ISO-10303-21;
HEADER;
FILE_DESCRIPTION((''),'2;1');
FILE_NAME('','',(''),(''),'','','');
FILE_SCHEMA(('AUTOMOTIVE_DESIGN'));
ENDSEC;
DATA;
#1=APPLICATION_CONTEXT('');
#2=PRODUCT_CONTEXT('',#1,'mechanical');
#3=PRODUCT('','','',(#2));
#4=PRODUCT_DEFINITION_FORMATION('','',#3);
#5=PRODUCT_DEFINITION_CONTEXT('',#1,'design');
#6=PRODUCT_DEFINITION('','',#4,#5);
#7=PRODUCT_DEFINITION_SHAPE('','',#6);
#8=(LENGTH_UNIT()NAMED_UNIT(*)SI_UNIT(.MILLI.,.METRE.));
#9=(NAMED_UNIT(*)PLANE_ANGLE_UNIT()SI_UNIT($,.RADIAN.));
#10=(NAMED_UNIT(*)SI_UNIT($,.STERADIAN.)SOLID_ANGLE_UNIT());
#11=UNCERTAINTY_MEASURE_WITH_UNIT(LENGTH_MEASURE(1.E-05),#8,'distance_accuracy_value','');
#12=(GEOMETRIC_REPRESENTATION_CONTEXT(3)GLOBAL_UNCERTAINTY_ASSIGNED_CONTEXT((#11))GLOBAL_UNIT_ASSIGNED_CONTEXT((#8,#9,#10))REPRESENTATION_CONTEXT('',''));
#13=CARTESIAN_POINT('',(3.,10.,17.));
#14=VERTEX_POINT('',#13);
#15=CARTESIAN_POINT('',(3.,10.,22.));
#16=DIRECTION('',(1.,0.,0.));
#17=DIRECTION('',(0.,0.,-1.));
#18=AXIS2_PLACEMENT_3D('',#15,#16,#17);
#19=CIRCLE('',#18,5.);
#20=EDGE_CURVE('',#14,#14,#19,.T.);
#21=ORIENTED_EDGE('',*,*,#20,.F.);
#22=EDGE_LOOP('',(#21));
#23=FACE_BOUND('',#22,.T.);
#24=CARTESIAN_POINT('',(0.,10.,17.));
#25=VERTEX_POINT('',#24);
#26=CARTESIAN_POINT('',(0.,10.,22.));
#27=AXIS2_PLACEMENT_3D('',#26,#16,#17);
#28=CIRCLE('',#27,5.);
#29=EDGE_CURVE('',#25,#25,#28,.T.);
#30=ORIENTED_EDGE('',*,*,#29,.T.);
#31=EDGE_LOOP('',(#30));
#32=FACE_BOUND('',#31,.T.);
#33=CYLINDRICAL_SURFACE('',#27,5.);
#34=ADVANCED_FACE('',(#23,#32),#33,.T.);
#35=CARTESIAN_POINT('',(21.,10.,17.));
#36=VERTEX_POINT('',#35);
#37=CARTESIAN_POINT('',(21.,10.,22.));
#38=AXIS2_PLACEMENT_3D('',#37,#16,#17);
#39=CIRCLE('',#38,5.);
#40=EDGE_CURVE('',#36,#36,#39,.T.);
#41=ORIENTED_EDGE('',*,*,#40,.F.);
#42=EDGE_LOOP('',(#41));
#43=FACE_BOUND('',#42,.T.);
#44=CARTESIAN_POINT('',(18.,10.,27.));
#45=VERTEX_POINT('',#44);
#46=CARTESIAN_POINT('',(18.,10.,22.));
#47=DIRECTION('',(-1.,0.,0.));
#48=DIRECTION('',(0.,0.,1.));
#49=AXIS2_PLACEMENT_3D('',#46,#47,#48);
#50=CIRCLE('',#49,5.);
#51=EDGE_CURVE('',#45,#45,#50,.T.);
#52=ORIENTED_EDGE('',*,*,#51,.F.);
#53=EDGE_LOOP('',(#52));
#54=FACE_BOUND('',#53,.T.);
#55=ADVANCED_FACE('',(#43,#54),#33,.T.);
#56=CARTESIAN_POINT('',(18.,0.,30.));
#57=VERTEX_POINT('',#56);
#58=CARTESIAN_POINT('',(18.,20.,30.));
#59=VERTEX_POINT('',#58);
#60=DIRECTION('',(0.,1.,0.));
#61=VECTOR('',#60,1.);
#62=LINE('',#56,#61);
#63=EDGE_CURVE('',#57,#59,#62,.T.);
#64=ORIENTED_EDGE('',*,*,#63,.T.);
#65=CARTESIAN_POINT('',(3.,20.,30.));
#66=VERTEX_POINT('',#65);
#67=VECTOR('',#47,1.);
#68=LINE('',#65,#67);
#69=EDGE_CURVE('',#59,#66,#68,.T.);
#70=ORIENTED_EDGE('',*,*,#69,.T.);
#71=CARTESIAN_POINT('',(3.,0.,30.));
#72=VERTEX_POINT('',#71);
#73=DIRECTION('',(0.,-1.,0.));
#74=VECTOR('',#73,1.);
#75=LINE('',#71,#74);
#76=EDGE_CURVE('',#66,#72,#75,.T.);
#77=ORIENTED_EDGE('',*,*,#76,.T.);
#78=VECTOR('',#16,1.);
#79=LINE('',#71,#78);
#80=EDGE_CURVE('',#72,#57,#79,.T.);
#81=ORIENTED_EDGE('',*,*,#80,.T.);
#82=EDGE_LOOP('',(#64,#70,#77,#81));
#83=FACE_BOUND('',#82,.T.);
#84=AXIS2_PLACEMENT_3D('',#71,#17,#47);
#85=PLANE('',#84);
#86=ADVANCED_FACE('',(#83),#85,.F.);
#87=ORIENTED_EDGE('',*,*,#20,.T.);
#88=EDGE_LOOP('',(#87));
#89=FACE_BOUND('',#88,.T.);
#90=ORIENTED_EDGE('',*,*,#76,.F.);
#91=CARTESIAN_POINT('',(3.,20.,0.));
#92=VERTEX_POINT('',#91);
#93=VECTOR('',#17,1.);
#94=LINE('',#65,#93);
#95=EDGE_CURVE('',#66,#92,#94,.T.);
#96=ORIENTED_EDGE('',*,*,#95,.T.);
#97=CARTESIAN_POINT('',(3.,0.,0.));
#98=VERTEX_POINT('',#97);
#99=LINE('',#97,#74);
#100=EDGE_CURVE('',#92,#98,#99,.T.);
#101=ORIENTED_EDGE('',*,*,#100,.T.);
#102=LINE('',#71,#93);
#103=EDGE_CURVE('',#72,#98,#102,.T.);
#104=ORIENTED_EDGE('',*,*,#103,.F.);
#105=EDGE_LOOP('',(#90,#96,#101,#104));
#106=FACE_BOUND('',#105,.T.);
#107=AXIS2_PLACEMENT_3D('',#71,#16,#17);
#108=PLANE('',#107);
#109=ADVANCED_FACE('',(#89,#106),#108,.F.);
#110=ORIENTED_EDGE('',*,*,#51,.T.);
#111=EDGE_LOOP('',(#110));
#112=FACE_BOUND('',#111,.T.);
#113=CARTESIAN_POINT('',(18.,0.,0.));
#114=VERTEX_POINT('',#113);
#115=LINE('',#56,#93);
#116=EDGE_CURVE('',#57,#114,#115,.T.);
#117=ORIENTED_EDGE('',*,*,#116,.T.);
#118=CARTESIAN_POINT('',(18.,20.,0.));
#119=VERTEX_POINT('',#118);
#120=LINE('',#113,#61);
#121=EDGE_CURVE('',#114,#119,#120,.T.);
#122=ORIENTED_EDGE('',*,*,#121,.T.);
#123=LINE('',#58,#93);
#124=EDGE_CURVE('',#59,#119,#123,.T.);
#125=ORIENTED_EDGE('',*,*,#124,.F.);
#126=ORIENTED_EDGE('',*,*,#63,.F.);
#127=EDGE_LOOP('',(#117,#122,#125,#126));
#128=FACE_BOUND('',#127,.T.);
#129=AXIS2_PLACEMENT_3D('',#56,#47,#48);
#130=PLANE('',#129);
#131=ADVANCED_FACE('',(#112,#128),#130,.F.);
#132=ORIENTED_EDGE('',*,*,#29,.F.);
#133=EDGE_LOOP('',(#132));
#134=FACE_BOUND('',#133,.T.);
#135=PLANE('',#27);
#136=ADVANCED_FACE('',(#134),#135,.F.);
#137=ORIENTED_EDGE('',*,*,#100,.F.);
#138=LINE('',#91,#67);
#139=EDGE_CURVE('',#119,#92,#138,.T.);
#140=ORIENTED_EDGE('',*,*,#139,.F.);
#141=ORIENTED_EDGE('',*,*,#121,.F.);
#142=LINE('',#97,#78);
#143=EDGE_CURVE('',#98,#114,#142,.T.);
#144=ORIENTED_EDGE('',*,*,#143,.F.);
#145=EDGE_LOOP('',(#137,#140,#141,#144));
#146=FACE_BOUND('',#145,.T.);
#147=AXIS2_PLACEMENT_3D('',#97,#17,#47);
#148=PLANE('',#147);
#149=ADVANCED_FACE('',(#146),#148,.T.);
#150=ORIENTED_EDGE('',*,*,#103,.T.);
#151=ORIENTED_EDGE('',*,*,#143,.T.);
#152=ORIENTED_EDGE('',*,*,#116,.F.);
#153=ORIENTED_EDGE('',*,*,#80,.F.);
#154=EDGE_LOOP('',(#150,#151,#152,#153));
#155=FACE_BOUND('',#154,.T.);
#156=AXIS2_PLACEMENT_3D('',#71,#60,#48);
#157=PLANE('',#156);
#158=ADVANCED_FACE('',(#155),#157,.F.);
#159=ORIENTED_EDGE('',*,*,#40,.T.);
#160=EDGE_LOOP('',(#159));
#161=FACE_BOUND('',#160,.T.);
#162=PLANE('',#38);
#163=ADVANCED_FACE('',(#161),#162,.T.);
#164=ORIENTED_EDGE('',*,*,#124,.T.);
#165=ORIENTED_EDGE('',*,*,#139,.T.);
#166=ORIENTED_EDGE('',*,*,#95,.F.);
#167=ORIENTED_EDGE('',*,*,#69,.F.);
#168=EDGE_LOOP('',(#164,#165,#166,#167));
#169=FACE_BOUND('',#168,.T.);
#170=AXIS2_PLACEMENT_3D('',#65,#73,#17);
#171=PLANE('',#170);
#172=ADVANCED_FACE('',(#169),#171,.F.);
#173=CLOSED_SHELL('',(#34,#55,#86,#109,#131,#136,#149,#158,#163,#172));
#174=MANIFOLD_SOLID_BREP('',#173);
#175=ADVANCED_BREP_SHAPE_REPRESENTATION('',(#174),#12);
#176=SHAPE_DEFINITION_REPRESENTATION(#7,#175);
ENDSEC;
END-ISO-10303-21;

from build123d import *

# Parameters (mm, degrees)
SKIZZE1_W                             = 15
SKIZZE1_H                             = 20
AUFSATZ_LINEAR_AUSTRAGEN8_DEPTH       = 30
AUFSATZ_LINEAR_AUSTRAGEN10_DEPTH      = 3
AUFSATZ_LINEAR_AUSTRAGEN10_DEPTH_BACK = 18
SKIZZE2_R                             = 5


with BuildPart() as part:
    # Skizze1 → Aufsatz-Linear austragen8 (new body)
    with BuildSketch(Plane.XY):
        with Locations((7.5, 10)):
            Rectangle(SKIZZE1_W, SKIZZE1_H)
    extrude(amount=AUFSATZ_LINEAR_AUSTRAGEN8_DEPTH)

    # Skizze2 → Aufsatz-Linear austragen10 (add, two sides: drawn at the far end of the back side and taken through both)
    with BuildSketch(Plane(origin=(15, 0, 0), x_dir=(0, 0, -1), z_dir=(1, 0, 0)).offset(-AUFSATZ_LINEAR_AUSTRAGEN10_DEPTH_BACK)):
        with Locations((-22, 10)):
            Circle(SKIZZE2_R)
    extrude(amount=AUFSATZ_LINEAR_AUSTRAGEN10_DEPTH + AUFSATZ_LINEAR_AUSTRAGEN10_DEPTH_BACK)


with BuildPart() as part_1:
    # Körper-Verschieben/Kopieren1: moved
    add(part.part.moved(Location((3, 0, 0))))


solid = part_1.part
